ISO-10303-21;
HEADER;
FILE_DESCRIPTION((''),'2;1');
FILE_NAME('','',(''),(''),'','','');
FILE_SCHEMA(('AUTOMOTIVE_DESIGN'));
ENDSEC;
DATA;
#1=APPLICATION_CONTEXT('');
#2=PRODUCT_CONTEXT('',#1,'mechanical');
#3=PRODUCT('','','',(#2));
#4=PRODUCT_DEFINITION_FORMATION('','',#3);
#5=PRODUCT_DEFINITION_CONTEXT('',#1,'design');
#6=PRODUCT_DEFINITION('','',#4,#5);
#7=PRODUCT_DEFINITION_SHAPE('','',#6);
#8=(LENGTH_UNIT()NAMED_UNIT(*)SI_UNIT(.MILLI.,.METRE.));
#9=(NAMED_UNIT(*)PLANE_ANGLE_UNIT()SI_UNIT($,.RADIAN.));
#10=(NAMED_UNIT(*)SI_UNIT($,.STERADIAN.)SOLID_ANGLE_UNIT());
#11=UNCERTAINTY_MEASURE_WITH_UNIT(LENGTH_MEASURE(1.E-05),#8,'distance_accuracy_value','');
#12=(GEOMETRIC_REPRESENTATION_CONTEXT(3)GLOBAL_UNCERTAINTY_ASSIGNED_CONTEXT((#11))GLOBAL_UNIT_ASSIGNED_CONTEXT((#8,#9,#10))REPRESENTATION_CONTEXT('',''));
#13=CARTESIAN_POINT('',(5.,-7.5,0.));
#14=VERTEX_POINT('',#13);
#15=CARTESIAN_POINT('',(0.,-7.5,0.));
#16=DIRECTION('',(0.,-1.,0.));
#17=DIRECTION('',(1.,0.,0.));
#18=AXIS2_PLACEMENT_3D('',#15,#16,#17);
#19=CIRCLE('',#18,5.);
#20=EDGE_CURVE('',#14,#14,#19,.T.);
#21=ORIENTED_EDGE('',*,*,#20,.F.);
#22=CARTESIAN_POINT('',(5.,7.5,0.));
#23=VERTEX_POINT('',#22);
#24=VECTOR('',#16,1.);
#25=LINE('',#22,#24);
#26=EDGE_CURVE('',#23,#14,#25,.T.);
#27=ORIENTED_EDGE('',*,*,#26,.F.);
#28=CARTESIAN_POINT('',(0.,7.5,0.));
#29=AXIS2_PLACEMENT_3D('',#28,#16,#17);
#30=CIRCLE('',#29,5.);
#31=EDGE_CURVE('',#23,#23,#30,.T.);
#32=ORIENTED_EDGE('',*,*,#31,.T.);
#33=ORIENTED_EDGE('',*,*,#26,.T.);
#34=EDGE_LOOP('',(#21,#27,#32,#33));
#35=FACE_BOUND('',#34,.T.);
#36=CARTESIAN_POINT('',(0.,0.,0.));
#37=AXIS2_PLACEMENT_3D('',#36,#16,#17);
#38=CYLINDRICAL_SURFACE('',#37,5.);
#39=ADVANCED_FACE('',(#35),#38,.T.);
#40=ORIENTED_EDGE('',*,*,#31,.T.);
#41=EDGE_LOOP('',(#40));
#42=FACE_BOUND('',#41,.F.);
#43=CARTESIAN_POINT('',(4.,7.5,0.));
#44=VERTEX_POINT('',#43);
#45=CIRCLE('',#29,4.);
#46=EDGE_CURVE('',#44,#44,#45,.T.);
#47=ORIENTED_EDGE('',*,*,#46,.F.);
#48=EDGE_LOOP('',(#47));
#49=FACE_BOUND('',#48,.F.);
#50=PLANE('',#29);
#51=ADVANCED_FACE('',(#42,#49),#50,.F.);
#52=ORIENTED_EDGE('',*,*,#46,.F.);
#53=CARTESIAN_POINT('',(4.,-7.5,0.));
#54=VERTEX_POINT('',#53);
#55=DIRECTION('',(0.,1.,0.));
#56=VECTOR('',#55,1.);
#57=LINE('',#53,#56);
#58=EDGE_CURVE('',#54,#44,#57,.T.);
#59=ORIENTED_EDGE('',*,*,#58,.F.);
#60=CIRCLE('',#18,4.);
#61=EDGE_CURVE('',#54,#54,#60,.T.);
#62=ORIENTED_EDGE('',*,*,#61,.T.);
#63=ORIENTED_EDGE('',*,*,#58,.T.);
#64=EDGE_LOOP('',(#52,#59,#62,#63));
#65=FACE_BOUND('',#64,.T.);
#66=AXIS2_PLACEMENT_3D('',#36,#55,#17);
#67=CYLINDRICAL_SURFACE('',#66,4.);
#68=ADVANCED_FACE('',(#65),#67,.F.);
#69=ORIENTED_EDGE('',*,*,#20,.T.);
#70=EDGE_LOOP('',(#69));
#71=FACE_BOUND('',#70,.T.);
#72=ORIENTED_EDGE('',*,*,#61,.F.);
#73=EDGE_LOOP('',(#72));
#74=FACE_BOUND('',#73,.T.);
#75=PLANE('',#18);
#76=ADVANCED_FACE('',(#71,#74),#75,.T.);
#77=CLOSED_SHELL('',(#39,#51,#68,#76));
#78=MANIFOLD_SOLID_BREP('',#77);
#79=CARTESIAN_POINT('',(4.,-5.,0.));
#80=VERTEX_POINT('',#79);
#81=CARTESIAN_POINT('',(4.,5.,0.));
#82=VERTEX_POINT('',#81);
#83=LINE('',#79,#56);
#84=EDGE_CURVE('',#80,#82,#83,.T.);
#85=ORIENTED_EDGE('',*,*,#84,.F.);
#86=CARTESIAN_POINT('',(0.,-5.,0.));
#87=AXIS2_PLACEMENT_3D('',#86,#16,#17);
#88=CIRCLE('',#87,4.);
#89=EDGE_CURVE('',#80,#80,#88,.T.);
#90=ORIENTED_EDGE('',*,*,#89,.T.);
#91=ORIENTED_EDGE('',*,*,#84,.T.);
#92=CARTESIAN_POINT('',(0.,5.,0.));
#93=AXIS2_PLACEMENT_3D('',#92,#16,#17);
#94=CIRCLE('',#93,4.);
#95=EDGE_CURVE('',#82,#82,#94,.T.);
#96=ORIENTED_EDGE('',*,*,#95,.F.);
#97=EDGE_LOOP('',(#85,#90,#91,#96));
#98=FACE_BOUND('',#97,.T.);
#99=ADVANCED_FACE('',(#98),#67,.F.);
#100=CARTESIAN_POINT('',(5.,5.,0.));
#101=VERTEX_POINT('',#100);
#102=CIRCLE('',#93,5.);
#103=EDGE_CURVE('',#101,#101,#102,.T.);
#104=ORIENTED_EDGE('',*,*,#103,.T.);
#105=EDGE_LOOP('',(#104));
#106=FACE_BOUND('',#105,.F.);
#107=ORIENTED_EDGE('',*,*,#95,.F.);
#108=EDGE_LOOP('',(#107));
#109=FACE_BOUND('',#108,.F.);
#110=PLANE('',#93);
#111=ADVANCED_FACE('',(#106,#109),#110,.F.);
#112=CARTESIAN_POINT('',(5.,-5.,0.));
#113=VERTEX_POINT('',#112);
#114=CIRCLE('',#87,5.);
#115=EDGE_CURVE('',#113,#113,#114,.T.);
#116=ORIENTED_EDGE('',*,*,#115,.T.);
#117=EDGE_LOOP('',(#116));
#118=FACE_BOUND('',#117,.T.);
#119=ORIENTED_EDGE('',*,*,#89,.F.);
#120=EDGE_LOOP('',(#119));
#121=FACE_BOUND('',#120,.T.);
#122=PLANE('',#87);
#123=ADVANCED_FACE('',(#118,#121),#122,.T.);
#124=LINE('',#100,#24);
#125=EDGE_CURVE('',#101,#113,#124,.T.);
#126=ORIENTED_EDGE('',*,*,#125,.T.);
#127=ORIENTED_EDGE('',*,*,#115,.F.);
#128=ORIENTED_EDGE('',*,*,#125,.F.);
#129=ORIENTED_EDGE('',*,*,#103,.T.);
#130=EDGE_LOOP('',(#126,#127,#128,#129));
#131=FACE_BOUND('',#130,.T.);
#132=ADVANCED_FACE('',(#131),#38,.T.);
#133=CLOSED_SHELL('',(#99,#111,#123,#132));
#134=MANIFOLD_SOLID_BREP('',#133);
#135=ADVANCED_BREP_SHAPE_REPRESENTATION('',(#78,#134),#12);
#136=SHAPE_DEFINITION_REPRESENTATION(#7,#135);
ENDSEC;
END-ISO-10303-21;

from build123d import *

# Parameters (mm, degrees)
F0_R     = 5
F0_R_2   = 4
F1_DEPTH = 5
F2_DEPTH = 7.5


with BuildPart() as f1:
    # F0 (on Front) → F1 (new body, symmetric)
    with BuildSketch(Plane.XZ):
        Circle(F0_R)
        Circle(F0_R_2, mode=Mode.SUBTRACT)
    extrude(amount=F1_DEPTH, both=True)


with BuildPart() as f2:
    # F0 (on Front) → F2 (new body, symmetric)
    with BuildSketch(Plane.XZ):
        Circle(F0_R)
        Circle(F0_R_2, mode=Mode.SUBTRACT)
    extrude(amount=F2_DEPTH, both=True)


solid = Compound([f1.part, f2.part])
